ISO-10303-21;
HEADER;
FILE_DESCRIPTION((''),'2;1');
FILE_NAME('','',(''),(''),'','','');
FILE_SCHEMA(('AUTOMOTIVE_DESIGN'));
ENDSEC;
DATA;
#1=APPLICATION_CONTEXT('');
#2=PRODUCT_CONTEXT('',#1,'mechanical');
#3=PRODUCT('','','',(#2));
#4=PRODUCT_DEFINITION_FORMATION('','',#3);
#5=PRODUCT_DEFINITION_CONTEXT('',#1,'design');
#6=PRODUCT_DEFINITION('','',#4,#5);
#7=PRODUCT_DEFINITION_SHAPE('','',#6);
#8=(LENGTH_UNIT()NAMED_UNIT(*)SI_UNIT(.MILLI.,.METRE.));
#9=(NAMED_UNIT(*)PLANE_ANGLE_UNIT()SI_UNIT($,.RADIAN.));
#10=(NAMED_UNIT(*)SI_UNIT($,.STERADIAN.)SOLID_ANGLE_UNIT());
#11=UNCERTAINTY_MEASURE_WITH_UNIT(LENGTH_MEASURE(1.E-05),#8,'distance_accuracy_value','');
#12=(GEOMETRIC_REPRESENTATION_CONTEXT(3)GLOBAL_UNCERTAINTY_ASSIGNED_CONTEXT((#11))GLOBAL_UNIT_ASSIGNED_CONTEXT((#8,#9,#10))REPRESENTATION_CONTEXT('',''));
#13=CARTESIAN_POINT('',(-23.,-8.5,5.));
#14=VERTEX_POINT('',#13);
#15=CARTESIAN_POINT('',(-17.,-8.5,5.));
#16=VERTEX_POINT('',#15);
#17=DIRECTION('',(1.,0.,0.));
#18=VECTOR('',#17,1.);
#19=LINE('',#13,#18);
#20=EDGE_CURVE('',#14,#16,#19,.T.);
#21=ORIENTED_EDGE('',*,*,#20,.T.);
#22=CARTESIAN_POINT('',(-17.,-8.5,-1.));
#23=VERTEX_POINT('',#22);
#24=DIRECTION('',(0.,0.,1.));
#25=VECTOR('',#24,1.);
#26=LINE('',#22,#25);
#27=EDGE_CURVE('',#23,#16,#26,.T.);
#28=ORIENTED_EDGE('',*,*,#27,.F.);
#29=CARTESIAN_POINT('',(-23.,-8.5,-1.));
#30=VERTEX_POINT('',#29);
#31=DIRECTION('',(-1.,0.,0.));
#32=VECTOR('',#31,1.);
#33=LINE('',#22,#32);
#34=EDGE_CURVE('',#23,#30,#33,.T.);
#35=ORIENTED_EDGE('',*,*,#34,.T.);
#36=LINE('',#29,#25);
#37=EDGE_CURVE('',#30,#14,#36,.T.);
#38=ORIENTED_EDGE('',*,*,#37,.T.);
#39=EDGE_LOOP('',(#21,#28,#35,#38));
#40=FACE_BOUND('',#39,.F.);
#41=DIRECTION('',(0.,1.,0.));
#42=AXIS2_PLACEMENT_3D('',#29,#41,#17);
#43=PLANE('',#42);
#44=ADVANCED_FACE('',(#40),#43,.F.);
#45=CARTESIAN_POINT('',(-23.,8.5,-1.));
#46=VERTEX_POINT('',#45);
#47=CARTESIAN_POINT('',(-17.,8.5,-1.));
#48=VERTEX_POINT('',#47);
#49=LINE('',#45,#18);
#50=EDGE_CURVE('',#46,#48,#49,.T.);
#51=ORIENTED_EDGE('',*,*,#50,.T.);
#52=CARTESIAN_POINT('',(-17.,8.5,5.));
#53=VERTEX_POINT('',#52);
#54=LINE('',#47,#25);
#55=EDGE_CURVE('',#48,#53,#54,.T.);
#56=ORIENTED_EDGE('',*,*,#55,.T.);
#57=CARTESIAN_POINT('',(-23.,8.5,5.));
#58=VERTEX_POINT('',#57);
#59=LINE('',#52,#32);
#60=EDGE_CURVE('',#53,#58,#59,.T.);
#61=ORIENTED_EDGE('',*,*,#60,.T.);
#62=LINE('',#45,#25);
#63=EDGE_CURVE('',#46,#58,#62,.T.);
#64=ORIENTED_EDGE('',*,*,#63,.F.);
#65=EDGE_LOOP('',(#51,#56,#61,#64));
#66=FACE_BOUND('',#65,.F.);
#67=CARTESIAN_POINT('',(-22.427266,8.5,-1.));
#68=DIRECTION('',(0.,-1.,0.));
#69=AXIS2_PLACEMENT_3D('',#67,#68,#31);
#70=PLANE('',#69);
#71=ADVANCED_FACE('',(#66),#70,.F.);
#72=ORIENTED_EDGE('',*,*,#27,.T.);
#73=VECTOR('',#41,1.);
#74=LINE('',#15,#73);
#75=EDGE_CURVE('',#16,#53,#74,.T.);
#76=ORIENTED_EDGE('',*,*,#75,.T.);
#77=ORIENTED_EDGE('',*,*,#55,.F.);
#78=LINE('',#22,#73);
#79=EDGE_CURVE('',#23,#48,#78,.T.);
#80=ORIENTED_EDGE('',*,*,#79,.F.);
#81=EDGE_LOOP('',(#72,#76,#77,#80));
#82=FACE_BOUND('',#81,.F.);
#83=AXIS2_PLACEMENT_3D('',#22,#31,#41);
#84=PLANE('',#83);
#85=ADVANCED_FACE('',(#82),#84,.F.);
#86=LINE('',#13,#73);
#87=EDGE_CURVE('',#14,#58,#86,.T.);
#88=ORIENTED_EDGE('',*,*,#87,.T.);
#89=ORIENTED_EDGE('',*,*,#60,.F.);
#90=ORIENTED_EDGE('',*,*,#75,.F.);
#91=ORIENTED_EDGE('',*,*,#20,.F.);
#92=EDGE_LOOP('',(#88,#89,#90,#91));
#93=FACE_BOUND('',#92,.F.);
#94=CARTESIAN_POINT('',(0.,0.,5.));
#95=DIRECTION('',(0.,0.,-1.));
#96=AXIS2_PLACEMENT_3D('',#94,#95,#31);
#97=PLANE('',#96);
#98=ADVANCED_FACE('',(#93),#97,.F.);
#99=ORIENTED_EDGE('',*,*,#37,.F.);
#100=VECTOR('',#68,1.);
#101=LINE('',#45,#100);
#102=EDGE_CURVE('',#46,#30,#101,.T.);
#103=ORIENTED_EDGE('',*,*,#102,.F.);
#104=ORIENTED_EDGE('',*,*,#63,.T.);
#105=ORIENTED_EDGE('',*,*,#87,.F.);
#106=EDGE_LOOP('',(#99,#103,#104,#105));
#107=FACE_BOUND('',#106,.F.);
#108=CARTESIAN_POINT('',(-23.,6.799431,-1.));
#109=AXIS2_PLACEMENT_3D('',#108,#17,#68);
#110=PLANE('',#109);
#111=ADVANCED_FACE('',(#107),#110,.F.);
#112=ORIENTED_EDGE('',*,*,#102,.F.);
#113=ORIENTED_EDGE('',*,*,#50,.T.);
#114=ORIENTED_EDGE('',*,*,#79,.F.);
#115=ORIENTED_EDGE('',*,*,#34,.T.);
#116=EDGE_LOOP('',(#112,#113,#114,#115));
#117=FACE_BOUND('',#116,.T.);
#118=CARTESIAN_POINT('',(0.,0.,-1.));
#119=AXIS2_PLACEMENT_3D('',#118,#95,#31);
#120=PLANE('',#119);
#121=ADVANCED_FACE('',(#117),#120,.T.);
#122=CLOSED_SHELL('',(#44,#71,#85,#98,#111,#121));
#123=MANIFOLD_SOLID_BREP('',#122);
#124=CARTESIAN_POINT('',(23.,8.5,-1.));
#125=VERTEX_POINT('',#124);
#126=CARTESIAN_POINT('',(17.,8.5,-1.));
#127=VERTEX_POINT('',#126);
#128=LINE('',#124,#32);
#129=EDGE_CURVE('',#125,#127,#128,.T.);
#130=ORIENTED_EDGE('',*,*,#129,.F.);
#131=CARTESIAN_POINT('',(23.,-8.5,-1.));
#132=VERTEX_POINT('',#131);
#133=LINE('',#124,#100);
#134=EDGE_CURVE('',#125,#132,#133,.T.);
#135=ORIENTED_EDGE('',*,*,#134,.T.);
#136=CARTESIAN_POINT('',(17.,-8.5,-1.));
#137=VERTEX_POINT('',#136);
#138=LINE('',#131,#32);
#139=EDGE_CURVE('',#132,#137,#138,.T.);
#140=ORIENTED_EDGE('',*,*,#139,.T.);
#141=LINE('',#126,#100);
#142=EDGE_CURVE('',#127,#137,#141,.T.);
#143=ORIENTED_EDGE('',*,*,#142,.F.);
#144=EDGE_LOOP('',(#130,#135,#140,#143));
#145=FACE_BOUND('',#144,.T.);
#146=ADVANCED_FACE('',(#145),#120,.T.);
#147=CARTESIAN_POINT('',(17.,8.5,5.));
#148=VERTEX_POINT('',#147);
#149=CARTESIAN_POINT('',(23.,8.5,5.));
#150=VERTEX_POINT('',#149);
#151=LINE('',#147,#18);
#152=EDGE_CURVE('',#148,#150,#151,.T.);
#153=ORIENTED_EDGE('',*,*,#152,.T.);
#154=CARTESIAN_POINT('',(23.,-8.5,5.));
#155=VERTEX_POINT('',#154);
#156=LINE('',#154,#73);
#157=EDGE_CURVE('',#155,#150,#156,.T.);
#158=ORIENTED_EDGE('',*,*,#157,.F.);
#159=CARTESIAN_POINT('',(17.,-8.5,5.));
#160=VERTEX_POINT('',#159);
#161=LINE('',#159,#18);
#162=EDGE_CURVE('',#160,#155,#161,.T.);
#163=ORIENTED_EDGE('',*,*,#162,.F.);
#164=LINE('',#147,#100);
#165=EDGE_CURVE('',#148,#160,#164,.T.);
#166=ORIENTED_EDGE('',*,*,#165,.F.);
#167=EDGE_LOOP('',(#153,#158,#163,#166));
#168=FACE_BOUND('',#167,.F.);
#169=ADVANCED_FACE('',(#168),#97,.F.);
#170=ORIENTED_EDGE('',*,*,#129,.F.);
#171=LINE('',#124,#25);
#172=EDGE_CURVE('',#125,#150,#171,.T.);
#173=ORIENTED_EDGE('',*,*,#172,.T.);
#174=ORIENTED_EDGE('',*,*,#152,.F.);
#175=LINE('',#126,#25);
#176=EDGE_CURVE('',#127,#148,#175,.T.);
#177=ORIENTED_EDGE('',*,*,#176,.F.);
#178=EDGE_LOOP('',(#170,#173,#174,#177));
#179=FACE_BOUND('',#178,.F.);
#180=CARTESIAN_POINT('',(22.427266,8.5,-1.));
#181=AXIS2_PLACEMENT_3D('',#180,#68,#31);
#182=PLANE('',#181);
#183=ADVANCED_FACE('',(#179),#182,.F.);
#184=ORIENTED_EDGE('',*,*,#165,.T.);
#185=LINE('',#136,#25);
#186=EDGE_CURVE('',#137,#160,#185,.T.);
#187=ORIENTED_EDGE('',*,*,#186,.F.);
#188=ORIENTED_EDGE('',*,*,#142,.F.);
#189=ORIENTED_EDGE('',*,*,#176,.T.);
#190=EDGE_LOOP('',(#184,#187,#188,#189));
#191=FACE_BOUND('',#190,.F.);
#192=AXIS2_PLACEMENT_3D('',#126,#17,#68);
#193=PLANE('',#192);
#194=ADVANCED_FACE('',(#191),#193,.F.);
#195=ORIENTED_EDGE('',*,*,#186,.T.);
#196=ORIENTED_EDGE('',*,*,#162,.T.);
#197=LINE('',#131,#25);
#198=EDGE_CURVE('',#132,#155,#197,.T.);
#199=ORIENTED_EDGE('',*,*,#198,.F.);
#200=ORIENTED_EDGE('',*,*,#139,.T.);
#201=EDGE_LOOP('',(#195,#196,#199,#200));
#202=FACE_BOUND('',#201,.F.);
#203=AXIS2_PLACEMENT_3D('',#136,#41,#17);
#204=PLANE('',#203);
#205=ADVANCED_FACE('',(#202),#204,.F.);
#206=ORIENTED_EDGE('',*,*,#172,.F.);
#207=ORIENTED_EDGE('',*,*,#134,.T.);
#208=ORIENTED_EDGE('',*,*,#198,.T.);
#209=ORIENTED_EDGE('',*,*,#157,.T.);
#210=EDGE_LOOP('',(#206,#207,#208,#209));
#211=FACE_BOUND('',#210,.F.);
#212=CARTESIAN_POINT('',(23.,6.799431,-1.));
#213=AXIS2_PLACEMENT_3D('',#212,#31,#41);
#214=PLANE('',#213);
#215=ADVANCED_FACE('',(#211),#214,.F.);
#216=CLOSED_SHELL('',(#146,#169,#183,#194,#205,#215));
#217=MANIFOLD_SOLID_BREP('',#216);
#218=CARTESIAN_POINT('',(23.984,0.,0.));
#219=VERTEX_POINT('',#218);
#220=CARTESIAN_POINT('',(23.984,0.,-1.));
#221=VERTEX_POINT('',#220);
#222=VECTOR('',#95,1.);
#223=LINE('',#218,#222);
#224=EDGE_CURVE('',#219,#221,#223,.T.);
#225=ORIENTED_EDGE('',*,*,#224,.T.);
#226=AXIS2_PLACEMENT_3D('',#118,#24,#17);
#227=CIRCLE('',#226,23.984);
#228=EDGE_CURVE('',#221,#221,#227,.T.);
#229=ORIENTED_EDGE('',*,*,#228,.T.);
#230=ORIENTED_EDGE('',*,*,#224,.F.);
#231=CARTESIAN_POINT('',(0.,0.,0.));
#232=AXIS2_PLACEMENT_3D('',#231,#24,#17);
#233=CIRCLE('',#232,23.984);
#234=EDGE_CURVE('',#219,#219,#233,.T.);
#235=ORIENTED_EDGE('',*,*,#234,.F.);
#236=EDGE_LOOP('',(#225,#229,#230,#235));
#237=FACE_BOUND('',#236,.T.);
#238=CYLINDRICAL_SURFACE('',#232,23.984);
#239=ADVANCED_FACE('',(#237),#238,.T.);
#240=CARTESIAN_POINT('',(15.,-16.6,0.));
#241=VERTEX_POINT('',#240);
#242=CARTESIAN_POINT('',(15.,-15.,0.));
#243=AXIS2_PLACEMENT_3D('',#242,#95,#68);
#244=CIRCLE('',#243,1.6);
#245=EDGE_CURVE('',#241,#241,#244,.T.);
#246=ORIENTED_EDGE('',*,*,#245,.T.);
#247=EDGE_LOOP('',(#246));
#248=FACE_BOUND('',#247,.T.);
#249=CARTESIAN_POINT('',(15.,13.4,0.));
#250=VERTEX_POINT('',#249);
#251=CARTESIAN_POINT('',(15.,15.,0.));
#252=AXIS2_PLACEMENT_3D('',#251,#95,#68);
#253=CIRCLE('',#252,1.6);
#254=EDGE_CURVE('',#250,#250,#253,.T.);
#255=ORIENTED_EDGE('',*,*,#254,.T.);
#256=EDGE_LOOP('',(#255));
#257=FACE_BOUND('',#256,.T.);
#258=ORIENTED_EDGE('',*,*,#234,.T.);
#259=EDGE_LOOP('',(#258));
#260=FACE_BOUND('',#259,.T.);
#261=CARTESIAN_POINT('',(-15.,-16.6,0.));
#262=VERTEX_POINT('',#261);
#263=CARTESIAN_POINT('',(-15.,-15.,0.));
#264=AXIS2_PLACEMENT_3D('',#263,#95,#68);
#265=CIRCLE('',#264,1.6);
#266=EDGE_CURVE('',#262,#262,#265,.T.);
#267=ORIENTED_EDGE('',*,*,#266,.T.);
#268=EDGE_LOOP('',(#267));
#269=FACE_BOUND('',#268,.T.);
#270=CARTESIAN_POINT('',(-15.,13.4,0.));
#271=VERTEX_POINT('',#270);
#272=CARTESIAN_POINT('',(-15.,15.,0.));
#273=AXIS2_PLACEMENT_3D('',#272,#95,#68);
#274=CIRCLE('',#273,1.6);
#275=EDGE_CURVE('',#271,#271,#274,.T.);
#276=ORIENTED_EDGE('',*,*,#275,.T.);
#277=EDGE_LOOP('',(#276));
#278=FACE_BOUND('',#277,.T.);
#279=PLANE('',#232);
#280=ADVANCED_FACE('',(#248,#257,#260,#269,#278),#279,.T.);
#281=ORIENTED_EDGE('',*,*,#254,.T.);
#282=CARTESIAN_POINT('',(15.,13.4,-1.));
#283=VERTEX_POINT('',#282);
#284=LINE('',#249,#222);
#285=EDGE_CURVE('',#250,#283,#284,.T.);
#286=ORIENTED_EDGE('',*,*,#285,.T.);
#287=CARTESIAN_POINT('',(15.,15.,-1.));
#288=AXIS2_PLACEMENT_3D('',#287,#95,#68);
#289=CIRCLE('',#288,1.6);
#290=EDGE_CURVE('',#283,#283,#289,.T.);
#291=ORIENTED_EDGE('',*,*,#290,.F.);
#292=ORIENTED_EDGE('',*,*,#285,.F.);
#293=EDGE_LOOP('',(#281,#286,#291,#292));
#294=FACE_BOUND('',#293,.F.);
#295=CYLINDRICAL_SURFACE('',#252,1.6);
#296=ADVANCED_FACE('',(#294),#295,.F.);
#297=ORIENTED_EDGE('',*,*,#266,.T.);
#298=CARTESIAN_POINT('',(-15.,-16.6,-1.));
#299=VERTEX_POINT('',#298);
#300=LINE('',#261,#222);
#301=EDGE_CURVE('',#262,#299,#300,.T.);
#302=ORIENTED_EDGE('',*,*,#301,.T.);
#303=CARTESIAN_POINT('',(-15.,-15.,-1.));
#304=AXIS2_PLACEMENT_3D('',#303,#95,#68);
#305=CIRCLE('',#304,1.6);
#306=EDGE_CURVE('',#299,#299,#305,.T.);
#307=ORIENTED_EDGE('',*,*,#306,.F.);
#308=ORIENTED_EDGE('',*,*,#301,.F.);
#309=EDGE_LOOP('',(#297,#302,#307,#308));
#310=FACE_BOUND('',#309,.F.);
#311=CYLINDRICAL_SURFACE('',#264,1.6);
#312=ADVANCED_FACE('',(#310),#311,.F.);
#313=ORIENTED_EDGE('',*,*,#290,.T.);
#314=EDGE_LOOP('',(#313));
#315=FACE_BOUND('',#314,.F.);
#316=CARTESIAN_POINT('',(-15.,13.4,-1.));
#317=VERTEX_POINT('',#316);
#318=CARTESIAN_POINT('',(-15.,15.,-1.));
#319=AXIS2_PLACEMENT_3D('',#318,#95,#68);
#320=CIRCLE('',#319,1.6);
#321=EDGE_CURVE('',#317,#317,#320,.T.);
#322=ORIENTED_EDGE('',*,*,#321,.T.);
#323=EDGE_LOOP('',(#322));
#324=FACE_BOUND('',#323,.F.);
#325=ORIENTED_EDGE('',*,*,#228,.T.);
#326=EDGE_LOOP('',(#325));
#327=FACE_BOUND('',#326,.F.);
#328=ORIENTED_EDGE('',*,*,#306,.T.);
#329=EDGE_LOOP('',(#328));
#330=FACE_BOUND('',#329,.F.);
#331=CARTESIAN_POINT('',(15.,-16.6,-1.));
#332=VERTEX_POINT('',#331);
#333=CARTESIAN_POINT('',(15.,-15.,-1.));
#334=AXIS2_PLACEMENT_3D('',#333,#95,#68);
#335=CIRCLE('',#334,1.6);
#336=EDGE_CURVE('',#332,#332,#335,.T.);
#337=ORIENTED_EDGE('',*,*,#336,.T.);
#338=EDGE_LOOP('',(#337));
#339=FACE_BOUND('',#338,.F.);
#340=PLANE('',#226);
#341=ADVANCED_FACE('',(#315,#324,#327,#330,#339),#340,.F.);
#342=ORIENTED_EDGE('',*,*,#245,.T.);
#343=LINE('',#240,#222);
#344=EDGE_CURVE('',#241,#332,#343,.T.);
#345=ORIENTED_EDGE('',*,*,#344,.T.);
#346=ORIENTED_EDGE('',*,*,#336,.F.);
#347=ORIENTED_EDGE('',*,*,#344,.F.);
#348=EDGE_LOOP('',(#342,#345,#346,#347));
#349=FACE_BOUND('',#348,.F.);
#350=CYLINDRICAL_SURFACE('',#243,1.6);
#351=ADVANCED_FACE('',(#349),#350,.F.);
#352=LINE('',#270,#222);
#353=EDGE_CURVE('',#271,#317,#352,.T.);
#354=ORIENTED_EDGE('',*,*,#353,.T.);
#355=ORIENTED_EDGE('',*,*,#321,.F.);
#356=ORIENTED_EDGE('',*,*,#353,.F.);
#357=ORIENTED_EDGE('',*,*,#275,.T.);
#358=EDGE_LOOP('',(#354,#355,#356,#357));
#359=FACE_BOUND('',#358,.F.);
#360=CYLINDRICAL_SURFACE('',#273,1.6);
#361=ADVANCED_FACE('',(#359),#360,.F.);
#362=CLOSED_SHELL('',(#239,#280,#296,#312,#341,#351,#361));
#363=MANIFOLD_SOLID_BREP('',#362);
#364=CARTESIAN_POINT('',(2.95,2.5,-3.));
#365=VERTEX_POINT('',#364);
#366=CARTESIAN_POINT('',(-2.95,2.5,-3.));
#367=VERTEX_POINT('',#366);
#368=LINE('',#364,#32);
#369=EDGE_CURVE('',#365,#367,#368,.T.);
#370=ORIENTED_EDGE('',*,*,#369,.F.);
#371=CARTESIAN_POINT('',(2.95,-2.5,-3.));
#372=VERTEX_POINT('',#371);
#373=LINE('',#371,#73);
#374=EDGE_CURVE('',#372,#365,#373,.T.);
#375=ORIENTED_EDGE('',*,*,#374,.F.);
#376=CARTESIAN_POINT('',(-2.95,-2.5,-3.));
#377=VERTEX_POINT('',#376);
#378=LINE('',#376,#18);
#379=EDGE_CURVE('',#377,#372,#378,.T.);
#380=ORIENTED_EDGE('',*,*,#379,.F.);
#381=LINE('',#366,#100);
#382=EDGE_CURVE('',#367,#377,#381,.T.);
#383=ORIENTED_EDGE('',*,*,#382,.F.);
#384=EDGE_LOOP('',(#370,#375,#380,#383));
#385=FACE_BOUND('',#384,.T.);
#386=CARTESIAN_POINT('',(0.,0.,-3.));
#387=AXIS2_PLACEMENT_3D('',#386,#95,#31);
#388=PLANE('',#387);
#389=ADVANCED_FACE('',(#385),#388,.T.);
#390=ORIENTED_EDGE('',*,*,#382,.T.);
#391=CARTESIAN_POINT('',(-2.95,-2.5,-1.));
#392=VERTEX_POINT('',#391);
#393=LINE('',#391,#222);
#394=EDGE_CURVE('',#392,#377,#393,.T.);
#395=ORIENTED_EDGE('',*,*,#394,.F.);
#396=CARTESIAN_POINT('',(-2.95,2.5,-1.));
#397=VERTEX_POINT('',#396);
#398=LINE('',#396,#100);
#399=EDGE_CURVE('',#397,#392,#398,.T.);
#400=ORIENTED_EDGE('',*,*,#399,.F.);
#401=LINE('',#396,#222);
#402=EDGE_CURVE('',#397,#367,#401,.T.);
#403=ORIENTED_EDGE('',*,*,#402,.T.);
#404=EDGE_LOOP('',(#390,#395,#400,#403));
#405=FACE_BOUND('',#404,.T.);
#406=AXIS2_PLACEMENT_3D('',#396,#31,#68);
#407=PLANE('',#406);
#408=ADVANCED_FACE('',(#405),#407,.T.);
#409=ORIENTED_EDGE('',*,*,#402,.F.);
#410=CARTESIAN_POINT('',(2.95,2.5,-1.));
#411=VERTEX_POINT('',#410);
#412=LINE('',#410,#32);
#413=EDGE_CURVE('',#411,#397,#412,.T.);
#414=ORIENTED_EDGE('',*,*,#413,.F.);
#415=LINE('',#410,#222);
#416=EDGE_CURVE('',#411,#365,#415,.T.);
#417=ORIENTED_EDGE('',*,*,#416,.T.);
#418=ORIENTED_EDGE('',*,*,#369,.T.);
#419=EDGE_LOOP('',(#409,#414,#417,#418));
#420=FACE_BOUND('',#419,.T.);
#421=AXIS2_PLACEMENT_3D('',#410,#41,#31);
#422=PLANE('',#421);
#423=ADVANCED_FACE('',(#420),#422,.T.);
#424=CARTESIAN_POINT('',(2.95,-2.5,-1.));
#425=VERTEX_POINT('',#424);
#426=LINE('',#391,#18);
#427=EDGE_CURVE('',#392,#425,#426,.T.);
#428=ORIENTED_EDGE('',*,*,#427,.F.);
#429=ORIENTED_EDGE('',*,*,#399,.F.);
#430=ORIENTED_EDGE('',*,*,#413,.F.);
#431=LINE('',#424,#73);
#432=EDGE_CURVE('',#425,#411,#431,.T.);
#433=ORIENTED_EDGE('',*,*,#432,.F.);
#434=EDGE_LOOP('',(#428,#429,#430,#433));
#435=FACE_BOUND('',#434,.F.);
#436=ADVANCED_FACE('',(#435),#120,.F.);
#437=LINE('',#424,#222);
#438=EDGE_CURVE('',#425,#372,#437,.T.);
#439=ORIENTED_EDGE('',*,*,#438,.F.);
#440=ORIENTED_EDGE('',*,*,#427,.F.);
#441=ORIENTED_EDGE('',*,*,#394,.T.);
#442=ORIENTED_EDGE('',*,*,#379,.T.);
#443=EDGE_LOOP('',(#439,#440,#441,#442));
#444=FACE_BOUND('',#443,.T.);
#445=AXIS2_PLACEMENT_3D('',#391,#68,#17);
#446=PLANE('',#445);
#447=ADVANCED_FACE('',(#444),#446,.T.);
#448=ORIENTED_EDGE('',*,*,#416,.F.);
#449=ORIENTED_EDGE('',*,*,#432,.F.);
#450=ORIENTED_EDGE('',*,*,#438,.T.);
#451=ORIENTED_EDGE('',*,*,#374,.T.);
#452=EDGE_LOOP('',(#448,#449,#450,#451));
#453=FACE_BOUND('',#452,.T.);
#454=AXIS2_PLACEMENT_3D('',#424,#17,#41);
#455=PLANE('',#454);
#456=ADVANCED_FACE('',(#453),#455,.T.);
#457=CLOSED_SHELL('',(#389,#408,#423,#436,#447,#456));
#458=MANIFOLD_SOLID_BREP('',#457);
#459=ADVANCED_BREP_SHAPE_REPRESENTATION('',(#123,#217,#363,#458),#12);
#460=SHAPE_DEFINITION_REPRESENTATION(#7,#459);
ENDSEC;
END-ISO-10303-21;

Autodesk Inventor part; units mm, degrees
ref_plane "YZ Plane" through (0, 0, 0) normal (1, 0, 0) x (0, 1, 0)
ref_plane "XZ Plane" through (0, 0, 0) normal (0, 1, 0) x (-1, 0, 0)
ref_plane "XY Plane" through (0, 0, 0) normal (0, 0, 1) x (1, 0, 0)
sketch "Skizze1" plane through (0, 0, 0) normal (0, 0, 1) x (1, 0, 0)
  circle A0 centre (0, 0) radius 25
  circle A1 centre (0, 0) radius 23.984
  circle A2 centre (0, 0) radius 21.2132 construction
  line L0 (-15, 15) -> (15, 15) construction
  line L1 (15, 15) -> (15, -15) construction
  line L2 (15, -15) -> (-15, -15) construction
  line L3 (-15, -15) -> (-15, 15) construction
  point P0 (15, 15)
  point P1 (15, -15)
  dimension "d0" = 50
  dimension "d1" = 1.016
  dimension "d2" = 30
extrude "Extrusion1" add sketch "Skizze1" against normal blind 1 contours A1
hole "Bohrung1" at (-15, 15, 0) at (15, 15, 0) at (15, -15, 0) at (-15, -15, 0) direction (0, 0, -1) diameter 3.2 end through all
sketch "Skizze2" plane through (0, 0, 0) normal (0, 0, 1) x (1, 0, 0)
  circle A0 centre (15, -15) radius 1.6 projected
  circle A1 centre (-15, 15) radius 1.6 projected
  circle A2 centre (15, 15) radius 1.6 projected
  circle A3 centre (-15, -15) radius 1.6 projected
  circle A4 centre (0, 0) radius 23.984 projected
  line L0 (-25.6213, 25.3721) -> (25.184, 25.3721) construction
  line L1 (25.184, 25.3721) -> (25.184, -25.4332) construction
  line L2 (25.184, -25.4332) -> (-25.6213, -25.4332) construction
  line L3 (-25.6213, -25.4332) -> (-25.6213, 25.3721) construction
sketch "Skizze3" plane through (0, 0, 0) normal (0, 0, 1) x (1, 0, 0)
  circle A0 centre (0, 0) radius 23.984 projected
  line L0 (-2.5, 2.5) -> (2.5, 2.5)
  line L1 (2.5, 2.5) -> (2.5, -2.5)
  line L2 (2.5, -2.5) -> (-2.5, -2.5)
  line L3 (-2.5, -2.5) -> (-2.5, 2.5)
  line L4 (-15, 2.5) -> (-10, 2.5)
  line L5 (-10, 2.5) -> (-10, -2.5)
  line L6 (-10, -2.5) -> (-15, -2.5)
  line L7 (-15, -2.5) -> (-15, 2.5)
  line L8 (-15, 2.5) -> (-10, -2.5) construction
  line L9 (-2.5, 2.5) -> (2.5, -2.5) construction
  line L10 (2.5, -2.5) -> (0, 0) construction
  line L11 (0, 0) -> (-12.5, 0) construction
  line L12 (-2.5, -15) -> (-2.5, -10)
  line L13 (-2.5, -10) -> (2.5, -10)
  line L14 (2.5, -10) -> (2.5, -15)
  line L15 (2.5, -15) -> (-2.5, -15)
  line L16 (15, -2.5) -> (10, -2.5)
  line L17 (10, -2.5) -> (10, 2.5)
  line L18 (10, 2.5) -> (15, 2.5)
  line L19 (15, 2.5) -> (15, -2.5)
  line L20 (2.5, 15) -> (2.5, 10)
  line L21 (2.5, 10) -> (-2.5, 10)
  line L22 (-2.5, 10) -> (-2.5, 15)
  line L23 (-2.5, 15) -> (2.5, 15)
  dimension "d24" = 5
  dimension "d25" = 12.5
  dimension "d28" = 360
extrude "Extrusion2" [suppressed]
sketch "Skizze4" plane through (0, 0, -1) normal (0, 0, -1) x (-1, 0, 0)
  circle A0 centre (0, 0) radius 23.984 projected
  line L0 (-2.95, 2.5) -> (2.95, 2.5)
  line L1 (2.95, 2.5) -> (2.95, -2.5)
  line L2 (2.95, -2.5) -> (-2.95, -2.5)
  line L3 (-2.95, -2.5) -> (-2.95, 2.5)
  line L4 (-2.95, -2.5) -> (2.95, 2.5) construction
  dimension "d33" = 5.9
  dimension "d34" = 5
extrude "Extrusion3" add sketch "Skizze4" along normal blind 2 separate body contours L0 L1 L2 L3
sketch "Skizze5" plane through (0, 0, -1) normal (0, 0, -1) x (-1, 0, 0)
  circle A0 centre (0, 0) radius 23.984 projected
  line L0 (-23, 8.5) -> (-17, 8.5)
  line L1 (-17, 8.5) -> (-17, -8.5)
  line L2 (-17, -8.5) -> (-23, -8.5)
  line L3 (-23, -8.5) -> (-23, 8.5)
  line L4 (17, 8.5) -> (23, 8.5)
  line L5 (23, 8.5) -> (23, -8.5)
  line L6 (23, -8.5) -> (17, -8.5)
  line L7 (17, -8.5) -> (17, 8.5)
  line L8 (-23, 0) -> (23, 0) construction
  line L9 (-20, 8.5) -> (-20, -8.5) construction
  point P0 (0, 0)
  dimension "d38" = 17
  dimension "d39" = 6
  dimension "d40" = 20
extrude "Extrusion4" add sketch "Skizze5" against normal blind 6 contours L5 A0 L6 L7 L4 | A0 L4 L5 | L5 L6 A0 | L0 L1 L2 A0 L3 | A0 L3 L0 | L2 L3 A0 bodies 2
sketch "Skizze6" plane through (0, 0, -1) normal (0, 0, -1) x (-1, 0, 0)
  line L0 (-26.2075, 26.1914) -> (26.4628, 26.1914) construction
  line L1 (26.4628, 26.1914) -> (26.4628, -26.479) construction
  line L2 (26.4628, -26.479) -> (-26.2075, -26.479) construction
  line L3 (-26.2075, -26.479) -> (-26.2075, 26.1914) construction
ref_plane "Arbeitsebene1" through (-15, -15, -67.8444) normal (-0.7071, 0.7071, 0) x (0, 0, 1)
properties part number "Encoder without LEDs"
